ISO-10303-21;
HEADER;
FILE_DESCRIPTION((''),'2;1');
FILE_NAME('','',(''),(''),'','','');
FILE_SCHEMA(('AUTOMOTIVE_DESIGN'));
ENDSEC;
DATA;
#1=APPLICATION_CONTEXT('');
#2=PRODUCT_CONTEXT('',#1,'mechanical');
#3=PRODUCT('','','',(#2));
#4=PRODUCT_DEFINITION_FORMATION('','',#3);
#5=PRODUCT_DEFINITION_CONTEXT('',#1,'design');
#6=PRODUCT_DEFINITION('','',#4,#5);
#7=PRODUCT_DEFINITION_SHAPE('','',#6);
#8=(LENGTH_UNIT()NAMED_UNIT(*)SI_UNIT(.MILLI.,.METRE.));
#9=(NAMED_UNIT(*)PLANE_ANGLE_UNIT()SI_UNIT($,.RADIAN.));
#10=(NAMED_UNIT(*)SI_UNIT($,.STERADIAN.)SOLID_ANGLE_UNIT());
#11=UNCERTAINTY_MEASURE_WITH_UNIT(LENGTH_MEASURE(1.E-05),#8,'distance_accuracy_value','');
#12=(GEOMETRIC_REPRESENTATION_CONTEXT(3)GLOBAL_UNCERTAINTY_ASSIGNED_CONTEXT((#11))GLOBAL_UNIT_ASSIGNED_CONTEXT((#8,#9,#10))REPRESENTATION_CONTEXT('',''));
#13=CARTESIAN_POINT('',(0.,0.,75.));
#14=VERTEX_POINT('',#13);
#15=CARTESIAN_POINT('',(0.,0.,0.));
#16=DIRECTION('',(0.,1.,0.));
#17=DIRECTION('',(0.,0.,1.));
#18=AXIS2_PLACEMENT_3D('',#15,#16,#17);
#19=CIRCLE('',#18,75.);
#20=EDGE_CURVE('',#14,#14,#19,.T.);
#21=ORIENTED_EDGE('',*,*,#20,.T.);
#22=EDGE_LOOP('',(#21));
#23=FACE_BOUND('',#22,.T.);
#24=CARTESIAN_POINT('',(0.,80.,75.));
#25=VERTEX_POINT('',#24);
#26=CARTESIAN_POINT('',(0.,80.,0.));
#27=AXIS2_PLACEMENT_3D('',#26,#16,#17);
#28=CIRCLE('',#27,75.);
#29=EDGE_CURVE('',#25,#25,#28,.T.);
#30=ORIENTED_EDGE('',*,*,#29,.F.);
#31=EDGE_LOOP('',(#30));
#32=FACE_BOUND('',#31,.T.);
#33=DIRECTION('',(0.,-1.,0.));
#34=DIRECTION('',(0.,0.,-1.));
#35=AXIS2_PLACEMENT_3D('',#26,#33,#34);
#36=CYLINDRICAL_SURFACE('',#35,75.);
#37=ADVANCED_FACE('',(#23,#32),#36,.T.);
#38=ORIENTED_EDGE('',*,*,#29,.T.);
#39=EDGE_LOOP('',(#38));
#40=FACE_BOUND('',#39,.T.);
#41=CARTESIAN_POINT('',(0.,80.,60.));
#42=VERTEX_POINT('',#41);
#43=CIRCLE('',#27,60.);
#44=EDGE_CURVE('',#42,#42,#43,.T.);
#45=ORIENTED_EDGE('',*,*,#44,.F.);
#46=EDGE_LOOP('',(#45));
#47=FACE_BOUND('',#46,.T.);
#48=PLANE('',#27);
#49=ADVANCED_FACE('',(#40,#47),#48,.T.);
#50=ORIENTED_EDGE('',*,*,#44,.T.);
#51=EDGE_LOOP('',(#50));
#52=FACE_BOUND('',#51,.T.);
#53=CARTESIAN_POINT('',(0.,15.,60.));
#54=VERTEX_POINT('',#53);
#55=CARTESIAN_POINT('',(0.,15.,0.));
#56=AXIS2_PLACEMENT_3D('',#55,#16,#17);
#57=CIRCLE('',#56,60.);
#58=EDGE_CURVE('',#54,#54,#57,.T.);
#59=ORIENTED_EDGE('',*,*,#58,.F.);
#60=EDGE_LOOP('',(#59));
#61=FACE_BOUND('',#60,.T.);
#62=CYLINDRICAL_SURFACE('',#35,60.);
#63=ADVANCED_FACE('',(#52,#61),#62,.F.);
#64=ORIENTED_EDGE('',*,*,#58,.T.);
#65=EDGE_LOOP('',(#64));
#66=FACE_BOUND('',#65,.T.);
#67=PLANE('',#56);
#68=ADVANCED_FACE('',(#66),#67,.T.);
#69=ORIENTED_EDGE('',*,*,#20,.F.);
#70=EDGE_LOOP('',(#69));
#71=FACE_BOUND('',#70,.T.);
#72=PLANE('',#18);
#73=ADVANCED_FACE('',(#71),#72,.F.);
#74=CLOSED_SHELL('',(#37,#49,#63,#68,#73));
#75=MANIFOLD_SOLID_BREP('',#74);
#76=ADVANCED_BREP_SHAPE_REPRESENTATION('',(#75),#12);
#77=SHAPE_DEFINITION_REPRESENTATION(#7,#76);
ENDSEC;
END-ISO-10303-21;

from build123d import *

# Parameters (mm, degrees)
SKETCH1_R           = 75
BOSS_EXTRUDE1_DEPTH = 80
SHELL4_T            = -15


with BuildPart() as part:
    # Sketch1 → Boss-Extrude1 (new body)
    with BuildSketch(Plane(origin=(0, 0, 0), x_dir=(1, 0, 0), z_dir=(0, 1, 0))):
        with Locations(Location((0, 0, 0), (0, 0, 270))):
            Circle(SKETCH1_R)
    extrude(amount=BOSS_EXTRUDE1_DEPTH)

    # Shell4
    shell4_openings = [part.faces().sort_by_distance(p)[0] for p in [
        (0, 80, 0),
    ]]
    offset(amount=SHELL4_T, openings=shell4_openings, kind=Kind.INTERSECTION)


solid = part.part
